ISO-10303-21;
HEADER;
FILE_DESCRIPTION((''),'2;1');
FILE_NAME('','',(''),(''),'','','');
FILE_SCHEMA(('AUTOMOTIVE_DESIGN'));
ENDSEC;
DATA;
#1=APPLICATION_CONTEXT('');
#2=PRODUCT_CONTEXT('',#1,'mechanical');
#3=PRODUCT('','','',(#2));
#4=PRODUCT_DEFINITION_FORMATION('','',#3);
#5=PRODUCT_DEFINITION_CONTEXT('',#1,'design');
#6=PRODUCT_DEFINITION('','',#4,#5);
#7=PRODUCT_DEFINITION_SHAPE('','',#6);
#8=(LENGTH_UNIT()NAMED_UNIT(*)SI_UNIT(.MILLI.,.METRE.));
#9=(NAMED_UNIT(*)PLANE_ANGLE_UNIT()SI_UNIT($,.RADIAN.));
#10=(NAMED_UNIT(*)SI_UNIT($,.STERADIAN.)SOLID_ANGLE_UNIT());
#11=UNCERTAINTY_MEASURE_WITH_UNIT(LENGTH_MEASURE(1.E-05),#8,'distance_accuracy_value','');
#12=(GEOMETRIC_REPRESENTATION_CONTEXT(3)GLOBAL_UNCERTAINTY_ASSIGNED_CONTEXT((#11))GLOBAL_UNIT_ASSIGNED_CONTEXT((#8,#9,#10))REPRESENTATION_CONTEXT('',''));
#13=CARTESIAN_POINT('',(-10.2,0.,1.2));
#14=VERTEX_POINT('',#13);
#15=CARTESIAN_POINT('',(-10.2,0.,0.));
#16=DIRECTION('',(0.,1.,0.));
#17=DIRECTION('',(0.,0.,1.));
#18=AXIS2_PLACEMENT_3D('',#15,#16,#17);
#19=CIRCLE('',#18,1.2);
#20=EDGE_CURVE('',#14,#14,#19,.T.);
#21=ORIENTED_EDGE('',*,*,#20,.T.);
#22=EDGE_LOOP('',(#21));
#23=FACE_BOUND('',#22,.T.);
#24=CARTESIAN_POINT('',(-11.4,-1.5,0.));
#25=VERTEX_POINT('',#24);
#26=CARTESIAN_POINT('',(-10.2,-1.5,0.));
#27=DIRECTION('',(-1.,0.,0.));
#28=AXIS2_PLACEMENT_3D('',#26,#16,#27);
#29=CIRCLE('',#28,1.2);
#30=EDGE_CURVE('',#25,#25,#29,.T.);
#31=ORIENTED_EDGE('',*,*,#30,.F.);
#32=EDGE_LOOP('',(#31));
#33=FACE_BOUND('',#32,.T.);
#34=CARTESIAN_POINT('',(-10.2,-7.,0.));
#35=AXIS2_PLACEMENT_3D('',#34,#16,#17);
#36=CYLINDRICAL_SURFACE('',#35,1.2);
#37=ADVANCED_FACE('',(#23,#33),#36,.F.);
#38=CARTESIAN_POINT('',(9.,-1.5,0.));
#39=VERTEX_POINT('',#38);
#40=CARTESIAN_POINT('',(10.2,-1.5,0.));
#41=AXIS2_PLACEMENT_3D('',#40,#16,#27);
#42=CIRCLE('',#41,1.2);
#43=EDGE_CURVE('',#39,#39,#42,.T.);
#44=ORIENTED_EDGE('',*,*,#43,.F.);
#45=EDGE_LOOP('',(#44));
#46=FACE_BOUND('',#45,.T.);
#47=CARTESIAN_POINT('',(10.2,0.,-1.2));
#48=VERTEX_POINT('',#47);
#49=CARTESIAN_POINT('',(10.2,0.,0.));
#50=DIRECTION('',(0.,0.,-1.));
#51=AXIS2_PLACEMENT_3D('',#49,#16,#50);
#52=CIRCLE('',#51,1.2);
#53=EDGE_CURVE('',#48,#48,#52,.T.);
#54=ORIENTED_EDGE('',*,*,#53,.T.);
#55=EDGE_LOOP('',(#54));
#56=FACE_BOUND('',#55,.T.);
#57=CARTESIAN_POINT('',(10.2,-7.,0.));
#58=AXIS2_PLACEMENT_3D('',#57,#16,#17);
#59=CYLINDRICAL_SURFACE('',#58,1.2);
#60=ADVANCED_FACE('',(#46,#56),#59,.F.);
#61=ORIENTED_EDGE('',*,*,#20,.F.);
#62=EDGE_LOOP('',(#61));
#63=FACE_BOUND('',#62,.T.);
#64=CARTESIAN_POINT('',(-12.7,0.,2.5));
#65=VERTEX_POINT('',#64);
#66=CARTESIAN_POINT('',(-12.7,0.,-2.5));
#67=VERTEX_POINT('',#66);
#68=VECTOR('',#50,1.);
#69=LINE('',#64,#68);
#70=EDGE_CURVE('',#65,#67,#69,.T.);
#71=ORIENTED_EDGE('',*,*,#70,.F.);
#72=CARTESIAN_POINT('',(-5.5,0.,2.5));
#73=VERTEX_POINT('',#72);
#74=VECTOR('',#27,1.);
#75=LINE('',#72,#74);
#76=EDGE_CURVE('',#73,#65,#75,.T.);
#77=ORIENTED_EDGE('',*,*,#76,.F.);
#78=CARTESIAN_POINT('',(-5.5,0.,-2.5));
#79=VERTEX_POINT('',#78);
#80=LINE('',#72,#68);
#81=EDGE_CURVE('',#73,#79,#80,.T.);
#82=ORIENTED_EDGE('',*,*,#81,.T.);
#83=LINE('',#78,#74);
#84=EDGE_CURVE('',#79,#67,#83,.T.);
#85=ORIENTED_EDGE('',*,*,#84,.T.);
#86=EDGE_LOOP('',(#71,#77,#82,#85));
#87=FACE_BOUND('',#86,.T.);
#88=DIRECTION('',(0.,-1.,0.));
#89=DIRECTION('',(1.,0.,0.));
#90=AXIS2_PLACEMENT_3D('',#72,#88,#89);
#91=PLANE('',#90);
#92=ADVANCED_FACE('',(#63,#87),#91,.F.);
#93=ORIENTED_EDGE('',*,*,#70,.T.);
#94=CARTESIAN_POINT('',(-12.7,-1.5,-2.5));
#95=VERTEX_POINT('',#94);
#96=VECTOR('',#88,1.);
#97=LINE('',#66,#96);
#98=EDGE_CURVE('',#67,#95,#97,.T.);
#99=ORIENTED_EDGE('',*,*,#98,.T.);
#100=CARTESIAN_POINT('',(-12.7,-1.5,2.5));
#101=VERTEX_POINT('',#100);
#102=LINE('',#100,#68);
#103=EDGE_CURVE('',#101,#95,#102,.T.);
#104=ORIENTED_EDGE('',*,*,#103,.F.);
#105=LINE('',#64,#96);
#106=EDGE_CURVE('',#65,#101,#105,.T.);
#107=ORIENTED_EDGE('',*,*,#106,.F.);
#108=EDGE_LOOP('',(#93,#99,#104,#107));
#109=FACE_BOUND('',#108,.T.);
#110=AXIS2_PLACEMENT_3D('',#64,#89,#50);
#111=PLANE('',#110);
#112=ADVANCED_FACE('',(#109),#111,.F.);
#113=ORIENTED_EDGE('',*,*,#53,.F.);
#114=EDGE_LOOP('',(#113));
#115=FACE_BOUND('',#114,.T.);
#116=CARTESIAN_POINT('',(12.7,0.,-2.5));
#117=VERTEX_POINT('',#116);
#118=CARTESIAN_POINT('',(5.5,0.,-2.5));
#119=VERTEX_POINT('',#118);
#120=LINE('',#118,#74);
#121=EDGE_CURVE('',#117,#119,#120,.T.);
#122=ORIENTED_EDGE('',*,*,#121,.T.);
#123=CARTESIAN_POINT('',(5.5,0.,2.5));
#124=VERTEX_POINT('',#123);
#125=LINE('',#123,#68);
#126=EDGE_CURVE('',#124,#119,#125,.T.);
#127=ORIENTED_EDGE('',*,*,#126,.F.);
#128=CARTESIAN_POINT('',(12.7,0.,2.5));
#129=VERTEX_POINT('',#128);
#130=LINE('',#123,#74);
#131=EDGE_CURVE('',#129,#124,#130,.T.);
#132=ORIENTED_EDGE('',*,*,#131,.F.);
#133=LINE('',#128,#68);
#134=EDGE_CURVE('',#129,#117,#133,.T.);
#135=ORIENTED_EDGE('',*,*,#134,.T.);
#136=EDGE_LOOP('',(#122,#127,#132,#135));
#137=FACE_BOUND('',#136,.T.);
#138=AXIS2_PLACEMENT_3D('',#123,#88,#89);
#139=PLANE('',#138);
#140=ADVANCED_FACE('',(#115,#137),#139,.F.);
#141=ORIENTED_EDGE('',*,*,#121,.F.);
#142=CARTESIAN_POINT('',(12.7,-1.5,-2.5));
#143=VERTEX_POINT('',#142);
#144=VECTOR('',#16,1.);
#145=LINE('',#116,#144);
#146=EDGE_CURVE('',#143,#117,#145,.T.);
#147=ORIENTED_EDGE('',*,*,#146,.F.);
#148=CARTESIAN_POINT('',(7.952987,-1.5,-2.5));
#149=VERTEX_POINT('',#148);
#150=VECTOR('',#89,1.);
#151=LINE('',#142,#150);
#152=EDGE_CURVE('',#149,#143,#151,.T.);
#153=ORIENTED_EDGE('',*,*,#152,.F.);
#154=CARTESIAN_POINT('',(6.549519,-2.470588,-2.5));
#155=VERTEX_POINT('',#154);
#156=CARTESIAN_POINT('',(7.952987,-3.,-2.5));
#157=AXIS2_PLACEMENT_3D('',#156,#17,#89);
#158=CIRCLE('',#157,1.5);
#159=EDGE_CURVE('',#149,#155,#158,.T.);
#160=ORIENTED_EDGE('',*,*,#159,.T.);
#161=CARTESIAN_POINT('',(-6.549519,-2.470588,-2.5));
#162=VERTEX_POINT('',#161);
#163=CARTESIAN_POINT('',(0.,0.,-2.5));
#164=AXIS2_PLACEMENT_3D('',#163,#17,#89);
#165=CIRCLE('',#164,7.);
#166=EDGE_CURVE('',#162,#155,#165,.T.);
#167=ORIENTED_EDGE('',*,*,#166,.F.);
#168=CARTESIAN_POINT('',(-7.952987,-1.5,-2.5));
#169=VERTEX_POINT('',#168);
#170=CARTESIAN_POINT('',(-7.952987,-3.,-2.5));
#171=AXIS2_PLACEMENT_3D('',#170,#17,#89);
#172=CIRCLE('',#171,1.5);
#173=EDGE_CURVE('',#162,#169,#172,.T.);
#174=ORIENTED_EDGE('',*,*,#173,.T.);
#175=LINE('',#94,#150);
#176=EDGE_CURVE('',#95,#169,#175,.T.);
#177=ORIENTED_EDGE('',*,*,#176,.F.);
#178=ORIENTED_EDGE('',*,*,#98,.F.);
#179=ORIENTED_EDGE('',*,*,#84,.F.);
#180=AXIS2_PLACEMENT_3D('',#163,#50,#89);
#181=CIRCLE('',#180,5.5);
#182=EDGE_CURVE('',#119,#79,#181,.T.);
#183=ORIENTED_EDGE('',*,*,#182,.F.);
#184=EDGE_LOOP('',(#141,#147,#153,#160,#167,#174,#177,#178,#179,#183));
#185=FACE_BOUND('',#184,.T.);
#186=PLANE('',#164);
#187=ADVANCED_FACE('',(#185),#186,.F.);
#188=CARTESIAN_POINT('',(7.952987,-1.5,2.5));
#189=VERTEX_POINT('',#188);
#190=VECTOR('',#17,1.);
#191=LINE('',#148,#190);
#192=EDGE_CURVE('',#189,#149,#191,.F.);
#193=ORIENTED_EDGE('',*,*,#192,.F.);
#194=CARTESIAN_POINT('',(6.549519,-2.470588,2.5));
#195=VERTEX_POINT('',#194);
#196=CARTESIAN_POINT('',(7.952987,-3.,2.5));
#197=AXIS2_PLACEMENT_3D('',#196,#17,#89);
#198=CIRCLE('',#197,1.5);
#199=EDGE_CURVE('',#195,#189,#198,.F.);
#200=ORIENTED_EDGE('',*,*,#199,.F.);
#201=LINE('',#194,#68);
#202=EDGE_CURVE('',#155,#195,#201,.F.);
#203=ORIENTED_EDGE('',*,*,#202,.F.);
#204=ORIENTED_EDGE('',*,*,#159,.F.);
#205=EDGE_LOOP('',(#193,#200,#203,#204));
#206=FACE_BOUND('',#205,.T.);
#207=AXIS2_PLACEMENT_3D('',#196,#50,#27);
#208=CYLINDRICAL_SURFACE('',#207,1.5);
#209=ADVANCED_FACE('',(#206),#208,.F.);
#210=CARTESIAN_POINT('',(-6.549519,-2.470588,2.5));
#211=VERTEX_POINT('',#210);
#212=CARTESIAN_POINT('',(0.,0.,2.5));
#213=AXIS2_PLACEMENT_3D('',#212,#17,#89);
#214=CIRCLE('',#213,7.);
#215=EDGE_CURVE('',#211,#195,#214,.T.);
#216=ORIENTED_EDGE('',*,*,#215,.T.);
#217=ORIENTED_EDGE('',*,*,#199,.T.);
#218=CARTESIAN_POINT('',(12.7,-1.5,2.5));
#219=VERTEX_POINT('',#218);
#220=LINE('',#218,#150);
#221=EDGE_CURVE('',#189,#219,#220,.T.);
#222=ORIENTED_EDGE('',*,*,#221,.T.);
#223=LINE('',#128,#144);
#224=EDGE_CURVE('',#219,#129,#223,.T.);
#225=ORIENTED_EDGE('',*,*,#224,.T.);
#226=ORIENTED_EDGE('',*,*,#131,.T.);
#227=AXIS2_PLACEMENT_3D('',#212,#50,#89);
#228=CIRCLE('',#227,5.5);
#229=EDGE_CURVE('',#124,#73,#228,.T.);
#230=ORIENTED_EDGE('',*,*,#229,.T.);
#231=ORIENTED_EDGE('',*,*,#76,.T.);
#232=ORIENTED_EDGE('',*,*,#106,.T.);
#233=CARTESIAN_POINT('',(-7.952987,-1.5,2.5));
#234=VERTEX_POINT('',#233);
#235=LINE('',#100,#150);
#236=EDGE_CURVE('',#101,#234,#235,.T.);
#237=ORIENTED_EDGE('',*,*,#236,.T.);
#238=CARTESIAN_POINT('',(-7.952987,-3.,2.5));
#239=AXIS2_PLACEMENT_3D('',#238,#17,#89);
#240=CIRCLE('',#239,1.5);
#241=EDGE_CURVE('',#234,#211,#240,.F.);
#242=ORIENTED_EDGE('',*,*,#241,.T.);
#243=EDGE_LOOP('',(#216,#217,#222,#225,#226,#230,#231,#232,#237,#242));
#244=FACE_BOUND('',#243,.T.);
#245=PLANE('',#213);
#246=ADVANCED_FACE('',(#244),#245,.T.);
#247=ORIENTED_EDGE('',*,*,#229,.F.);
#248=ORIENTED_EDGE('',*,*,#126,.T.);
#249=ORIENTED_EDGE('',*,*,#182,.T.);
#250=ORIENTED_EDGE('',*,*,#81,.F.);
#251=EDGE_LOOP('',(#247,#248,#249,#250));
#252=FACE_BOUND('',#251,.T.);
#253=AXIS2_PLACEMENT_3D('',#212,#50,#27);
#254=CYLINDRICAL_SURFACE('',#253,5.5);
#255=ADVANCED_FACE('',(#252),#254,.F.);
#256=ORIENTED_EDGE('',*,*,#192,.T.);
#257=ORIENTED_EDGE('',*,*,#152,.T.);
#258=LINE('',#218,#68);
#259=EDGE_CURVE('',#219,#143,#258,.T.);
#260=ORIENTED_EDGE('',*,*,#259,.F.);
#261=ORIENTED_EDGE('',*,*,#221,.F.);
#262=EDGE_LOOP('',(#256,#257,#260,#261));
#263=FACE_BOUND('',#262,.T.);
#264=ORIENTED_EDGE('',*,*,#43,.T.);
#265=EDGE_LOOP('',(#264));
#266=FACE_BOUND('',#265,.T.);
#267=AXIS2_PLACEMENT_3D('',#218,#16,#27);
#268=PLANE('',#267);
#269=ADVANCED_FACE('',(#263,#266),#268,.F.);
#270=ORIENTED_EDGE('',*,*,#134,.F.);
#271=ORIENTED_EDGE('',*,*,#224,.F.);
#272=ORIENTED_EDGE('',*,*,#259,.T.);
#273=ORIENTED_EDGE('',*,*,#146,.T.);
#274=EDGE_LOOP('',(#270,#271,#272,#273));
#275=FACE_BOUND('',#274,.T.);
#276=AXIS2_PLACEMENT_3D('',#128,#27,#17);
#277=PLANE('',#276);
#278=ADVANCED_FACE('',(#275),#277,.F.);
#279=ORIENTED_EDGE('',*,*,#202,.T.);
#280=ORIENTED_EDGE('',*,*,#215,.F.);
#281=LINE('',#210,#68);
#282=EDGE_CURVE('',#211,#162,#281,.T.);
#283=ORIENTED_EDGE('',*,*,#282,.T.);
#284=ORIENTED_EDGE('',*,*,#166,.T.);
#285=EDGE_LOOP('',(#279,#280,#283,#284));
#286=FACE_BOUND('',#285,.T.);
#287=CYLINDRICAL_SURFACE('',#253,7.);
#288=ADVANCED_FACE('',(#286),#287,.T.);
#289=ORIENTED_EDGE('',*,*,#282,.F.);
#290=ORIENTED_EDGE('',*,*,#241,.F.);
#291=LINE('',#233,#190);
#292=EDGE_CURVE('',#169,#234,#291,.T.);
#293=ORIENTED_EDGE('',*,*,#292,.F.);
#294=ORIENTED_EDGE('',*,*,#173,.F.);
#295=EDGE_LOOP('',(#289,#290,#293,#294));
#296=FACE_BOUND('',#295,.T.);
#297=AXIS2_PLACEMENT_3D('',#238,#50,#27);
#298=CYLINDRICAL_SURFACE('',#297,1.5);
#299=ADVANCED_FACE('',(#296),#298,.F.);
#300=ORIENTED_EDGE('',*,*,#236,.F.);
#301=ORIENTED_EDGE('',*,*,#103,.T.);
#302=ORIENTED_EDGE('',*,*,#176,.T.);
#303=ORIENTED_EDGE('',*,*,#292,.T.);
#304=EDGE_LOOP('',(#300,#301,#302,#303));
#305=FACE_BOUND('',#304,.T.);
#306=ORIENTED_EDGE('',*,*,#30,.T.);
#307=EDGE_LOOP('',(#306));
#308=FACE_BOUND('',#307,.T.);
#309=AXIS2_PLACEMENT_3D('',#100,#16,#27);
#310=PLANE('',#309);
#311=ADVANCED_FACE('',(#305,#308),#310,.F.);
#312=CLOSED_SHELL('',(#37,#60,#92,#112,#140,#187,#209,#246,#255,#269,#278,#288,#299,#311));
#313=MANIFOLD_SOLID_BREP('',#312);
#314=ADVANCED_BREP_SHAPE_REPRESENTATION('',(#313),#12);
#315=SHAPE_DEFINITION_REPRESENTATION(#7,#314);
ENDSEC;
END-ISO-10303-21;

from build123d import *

# Parameters (mm, degrees)
BOSS_EXTRUDE1_DEPTH = 2.5
SKETCH2_R           = 1.2
CUT_EXTRUDE1_DEPTH  = 8
FILLET1_R           = 1.5


with BuildPart() as part:
    # Sketch1 → Boss-Extrude1 (new body, symmetric)
    with BuildSketch(Plane.XY):
        with BuildLine():
            Line((5.5, 0), (12.7, 0))
            Line((12.7, 0), (12.7, -1.5))
            Line((12.7, -1.5), (6.837397166, -1.5))
            ThreePointArc((6.837397166, -1.5), (0, -7), (-6.837397166, -1.5))
            Line((-6.837397166, -1.5), (-12.7, -1.5))
            Line((-12.7, -1.5), (-12.7, 0))
            Line((-12.7, 0), (-5.5, 0))
            ThreePointArc((-5.5, 0), (0, -5.5), (5.5, 0))
        make_face()
    extrude(amount=BOSS_EXTRUDE1_DEPTH, both=True)

    # Sketch2 → Cut-Extrude1 (cut, through all)
    with BuildSketch(Plane(origin=(0, 0, 0), x_dir=(1, 0, 0), z_dir=(0, 1, 0))):
        with Locations((-10.2, 0)):
            Circle(SKETCH2_R)
        with Locations((10.2, 0)):
            Circle(SKETCH2_R)
    extrude(amount=-CUT_EXTRUDE1_DEPTH, mode=Mode.SUBTRACT)

    # Fillet1
    fillet1_edges = [part.edges().sort_by_distance(p)[0] for p in [
        (6.837397166, -1.5, 0),
        (-6.837397166, -1.5, 0),
    ]]
    fillet(fillet1_edges, radius=FILLET1_R)


solid = part.part
